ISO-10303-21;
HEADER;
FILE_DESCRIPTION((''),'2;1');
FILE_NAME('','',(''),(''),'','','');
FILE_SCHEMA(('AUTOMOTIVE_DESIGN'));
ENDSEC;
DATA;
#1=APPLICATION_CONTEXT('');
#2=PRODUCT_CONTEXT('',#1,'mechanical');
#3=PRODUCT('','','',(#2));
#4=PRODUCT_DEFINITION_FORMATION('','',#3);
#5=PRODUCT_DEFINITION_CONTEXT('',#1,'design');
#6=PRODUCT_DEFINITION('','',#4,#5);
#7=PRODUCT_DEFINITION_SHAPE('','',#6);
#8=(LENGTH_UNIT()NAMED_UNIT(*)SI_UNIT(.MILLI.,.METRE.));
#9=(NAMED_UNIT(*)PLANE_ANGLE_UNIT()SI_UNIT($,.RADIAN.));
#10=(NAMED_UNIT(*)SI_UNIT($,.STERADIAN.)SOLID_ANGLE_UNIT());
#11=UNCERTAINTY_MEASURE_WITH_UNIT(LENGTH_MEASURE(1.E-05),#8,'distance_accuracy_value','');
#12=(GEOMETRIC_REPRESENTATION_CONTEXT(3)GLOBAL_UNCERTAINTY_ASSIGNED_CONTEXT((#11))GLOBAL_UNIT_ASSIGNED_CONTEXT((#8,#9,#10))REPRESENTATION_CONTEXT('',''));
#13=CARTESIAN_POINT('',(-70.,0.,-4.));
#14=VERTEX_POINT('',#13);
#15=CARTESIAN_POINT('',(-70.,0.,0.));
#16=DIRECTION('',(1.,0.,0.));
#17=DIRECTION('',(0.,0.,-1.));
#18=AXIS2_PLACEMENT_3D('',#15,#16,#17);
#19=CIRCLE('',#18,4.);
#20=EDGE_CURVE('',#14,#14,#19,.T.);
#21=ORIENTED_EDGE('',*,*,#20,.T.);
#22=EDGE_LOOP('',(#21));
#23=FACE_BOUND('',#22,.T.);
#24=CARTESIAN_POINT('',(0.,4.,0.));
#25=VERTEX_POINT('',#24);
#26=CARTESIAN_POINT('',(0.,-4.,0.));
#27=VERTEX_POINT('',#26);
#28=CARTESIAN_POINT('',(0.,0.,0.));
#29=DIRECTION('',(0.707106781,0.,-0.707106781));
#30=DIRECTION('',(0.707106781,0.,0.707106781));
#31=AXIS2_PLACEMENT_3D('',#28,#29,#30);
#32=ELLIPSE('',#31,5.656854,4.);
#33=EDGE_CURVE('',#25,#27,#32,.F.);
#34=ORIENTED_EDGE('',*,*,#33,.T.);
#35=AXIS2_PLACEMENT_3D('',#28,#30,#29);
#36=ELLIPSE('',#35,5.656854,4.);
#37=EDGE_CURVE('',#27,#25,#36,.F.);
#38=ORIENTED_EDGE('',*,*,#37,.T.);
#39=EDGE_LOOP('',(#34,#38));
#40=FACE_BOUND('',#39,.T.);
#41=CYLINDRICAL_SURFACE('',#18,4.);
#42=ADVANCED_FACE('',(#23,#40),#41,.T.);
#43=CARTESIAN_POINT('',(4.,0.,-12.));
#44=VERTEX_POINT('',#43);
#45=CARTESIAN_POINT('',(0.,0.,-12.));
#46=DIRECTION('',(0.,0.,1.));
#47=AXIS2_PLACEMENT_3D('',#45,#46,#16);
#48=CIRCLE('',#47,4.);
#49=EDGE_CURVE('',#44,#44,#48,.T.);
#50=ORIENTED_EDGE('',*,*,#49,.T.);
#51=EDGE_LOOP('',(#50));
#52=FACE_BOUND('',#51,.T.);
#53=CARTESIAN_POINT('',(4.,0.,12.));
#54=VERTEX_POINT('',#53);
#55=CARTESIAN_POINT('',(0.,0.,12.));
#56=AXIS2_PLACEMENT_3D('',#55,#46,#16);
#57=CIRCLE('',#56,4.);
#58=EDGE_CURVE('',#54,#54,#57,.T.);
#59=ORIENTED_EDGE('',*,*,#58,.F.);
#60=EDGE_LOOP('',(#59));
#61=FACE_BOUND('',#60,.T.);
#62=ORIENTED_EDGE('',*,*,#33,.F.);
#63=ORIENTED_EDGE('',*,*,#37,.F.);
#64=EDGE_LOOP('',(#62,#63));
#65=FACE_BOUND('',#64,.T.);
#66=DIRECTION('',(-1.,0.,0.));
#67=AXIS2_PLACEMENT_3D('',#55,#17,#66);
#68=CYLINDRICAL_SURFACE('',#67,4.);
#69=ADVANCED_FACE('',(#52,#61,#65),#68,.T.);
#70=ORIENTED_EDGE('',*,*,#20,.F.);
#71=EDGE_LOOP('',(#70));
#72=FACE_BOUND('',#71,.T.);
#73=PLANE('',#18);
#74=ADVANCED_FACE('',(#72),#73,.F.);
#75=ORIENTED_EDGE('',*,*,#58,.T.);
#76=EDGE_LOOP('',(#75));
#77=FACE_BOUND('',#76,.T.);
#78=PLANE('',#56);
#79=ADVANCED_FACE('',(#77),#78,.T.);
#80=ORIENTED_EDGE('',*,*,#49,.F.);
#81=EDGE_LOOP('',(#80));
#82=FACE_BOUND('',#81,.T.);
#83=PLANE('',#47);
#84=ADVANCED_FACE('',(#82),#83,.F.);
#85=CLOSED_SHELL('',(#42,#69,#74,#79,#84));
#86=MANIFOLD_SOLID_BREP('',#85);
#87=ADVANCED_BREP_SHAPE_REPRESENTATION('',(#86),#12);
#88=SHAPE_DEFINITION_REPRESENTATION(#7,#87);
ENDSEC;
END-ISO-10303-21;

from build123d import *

# Parameters (mm, degrees)
SKETCH1_R                = 4
BOSS_EXTRUDE1_DEPTH      = 70
BOSS_EXTRUDE2_DEPTH      = 12
BOSS_EXTRUDE2_DEPTH_BACK = 12
SKETCH2_R                = 4


with BuildPart() as part:
    # Sketch1 → Boss-Extrude1 (new body)
    with BuildSketch(Plane(origin=(0, 0, 0), x_dir=(0, 0, -1), z_dir=(1, 0, 0))):
        Circle(SKETCH1_R)
    extrude(amount=-BOSS_EXTRUDE1_DEPTH)

    # Sketch2 → Boss-Extrude2 (add, two sides: drawn at the far end of the back side and taken through both)
    with BuildSketch(Plane.XY.offset(-BOSS_EXTRUDE2_DEPTH_BACK)):
        Circle(SKETCH2_R)
    extrude(amount=BOSS_EXTRUDE2_DEPTH + BOSS_EXTRUDE2_DEPTH_BACK)


solid = part.part
